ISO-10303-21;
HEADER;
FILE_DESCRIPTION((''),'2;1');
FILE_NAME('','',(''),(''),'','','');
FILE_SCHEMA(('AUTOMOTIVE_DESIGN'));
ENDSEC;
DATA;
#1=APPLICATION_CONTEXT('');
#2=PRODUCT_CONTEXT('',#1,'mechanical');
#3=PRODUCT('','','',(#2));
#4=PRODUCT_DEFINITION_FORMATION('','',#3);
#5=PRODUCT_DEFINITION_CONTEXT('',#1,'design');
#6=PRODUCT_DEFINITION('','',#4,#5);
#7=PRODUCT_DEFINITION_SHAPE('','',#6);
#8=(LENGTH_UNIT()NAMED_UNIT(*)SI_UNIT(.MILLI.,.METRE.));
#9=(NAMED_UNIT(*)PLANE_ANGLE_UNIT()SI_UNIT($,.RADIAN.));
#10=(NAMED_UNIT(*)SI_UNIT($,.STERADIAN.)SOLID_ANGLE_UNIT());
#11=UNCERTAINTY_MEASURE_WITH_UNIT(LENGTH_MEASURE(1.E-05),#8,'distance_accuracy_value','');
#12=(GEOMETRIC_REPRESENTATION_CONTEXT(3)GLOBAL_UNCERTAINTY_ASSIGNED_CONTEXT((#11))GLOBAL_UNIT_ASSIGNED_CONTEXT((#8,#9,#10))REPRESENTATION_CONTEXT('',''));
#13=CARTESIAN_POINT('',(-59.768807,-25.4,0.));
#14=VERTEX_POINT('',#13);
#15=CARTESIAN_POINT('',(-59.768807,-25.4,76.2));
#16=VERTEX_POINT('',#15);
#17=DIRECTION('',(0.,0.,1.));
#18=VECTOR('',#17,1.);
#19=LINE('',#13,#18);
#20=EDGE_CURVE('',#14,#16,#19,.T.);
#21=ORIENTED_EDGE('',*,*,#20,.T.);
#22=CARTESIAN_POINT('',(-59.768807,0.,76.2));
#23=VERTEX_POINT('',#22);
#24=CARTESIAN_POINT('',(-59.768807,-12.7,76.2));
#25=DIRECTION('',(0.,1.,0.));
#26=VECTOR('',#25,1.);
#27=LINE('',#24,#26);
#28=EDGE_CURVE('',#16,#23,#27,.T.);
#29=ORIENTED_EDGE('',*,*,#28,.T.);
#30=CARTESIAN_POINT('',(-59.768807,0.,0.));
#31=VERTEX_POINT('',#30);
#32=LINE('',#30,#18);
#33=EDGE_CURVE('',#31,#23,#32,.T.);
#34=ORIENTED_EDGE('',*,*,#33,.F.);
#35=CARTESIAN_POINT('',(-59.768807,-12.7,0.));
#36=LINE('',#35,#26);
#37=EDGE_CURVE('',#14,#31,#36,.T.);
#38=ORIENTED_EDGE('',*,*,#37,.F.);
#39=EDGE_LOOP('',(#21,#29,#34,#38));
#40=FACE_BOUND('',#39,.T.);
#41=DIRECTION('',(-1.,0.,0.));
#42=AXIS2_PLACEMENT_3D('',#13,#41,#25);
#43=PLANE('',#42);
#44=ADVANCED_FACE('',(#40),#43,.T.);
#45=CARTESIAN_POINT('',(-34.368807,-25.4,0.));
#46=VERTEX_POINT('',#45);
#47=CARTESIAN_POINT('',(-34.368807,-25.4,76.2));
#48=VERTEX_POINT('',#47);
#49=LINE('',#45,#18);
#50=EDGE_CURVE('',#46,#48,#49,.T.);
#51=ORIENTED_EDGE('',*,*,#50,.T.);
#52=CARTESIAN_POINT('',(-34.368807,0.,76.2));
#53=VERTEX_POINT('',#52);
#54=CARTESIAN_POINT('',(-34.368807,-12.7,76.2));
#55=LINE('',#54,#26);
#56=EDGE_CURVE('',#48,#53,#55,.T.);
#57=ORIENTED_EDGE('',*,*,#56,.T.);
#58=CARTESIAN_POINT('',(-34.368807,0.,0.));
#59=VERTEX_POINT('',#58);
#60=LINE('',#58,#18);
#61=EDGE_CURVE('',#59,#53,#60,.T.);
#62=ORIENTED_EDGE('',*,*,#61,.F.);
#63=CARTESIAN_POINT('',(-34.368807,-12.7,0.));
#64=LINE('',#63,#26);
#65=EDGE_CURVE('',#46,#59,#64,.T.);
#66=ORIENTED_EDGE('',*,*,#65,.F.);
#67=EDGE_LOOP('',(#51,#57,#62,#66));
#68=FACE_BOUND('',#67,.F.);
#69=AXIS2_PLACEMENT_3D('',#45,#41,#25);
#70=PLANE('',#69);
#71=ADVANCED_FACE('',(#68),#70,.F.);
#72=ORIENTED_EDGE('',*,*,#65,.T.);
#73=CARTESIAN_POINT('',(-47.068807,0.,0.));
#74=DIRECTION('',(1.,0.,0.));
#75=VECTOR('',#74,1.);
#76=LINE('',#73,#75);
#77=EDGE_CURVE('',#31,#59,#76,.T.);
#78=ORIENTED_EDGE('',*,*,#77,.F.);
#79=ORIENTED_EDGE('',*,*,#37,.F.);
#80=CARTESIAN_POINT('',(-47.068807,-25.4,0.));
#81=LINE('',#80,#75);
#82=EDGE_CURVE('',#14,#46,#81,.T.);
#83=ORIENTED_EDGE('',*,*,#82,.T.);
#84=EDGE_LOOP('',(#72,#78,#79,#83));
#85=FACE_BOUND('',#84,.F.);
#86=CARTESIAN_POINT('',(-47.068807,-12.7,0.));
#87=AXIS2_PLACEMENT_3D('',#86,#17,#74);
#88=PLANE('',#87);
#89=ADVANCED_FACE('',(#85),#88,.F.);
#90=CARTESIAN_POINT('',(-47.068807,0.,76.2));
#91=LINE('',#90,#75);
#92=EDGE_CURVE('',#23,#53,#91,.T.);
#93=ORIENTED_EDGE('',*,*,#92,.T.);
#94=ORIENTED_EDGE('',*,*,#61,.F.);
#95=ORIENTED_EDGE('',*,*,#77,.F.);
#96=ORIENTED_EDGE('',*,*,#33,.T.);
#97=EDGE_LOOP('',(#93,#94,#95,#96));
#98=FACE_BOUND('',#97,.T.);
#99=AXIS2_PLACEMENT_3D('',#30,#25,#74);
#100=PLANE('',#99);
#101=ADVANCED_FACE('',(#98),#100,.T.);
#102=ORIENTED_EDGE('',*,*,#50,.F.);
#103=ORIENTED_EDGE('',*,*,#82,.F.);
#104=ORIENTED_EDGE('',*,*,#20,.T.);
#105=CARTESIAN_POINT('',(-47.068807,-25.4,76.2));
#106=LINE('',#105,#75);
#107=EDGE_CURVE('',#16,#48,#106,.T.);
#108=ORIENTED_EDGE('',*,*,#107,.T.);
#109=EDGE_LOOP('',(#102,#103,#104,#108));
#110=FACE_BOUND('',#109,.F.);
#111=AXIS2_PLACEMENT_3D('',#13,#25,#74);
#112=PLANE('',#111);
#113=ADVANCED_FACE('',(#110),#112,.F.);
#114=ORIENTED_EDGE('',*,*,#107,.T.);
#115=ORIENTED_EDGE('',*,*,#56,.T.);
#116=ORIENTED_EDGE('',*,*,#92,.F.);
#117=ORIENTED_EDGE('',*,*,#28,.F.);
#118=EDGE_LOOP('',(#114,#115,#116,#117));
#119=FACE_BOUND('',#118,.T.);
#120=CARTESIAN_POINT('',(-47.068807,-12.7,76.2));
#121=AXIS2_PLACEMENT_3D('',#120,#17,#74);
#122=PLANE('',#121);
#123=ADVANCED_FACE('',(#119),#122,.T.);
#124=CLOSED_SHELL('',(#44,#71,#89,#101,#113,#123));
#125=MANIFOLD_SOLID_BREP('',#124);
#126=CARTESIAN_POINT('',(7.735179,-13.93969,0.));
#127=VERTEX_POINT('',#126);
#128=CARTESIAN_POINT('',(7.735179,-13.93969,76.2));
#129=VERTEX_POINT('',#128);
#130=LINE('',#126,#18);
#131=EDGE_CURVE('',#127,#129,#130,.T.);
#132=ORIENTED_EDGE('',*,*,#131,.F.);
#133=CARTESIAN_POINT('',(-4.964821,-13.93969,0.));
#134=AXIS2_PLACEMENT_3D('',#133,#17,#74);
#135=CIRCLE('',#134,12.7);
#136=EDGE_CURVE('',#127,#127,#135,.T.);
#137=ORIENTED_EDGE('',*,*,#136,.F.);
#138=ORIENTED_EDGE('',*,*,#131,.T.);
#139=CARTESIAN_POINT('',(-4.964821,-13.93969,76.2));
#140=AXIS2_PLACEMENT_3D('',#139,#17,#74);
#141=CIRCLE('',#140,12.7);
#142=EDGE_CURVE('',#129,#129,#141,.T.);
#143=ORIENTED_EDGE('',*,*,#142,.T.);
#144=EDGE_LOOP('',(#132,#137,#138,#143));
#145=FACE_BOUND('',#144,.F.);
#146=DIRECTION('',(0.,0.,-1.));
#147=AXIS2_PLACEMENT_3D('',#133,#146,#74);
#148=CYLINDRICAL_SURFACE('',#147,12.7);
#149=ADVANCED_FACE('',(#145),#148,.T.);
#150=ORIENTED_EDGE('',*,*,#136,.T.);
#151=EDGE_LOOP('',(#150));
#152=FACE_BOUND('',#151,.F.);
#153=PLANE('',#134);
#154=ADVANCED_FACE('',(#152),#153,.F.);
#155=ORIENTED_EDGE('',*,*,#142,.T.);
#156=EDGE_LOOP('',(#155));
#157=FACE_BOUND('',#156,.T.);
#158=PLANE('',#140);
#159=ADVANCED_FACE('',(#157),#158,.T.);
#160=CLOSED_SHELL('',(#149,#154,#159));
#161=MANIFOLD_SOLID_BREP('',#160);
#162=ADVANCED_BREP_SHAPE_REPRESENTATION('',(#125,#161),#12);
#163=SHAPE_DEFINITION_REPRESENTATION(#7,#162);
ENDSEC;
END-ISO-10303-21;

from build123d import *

# Parameters (mm, degrees)
F0_W     = 25.4
F0_H     = 25.4
F0_R     = 12.7
F1_DEPTH = 76.2


with BuildPart() as f1:
    # F0 (on Top) → F1 (new body)
    with BuildSketch(Plane.XY):
        with Locations((-47.068807, -12.7)):
            Rectangle(F0_W, F0_H)
        with Locations((-4.964821, -13.93969)):
            Circle(F0_R)
    extrude(amount=F1_DEPTH)


solid = f1.part
